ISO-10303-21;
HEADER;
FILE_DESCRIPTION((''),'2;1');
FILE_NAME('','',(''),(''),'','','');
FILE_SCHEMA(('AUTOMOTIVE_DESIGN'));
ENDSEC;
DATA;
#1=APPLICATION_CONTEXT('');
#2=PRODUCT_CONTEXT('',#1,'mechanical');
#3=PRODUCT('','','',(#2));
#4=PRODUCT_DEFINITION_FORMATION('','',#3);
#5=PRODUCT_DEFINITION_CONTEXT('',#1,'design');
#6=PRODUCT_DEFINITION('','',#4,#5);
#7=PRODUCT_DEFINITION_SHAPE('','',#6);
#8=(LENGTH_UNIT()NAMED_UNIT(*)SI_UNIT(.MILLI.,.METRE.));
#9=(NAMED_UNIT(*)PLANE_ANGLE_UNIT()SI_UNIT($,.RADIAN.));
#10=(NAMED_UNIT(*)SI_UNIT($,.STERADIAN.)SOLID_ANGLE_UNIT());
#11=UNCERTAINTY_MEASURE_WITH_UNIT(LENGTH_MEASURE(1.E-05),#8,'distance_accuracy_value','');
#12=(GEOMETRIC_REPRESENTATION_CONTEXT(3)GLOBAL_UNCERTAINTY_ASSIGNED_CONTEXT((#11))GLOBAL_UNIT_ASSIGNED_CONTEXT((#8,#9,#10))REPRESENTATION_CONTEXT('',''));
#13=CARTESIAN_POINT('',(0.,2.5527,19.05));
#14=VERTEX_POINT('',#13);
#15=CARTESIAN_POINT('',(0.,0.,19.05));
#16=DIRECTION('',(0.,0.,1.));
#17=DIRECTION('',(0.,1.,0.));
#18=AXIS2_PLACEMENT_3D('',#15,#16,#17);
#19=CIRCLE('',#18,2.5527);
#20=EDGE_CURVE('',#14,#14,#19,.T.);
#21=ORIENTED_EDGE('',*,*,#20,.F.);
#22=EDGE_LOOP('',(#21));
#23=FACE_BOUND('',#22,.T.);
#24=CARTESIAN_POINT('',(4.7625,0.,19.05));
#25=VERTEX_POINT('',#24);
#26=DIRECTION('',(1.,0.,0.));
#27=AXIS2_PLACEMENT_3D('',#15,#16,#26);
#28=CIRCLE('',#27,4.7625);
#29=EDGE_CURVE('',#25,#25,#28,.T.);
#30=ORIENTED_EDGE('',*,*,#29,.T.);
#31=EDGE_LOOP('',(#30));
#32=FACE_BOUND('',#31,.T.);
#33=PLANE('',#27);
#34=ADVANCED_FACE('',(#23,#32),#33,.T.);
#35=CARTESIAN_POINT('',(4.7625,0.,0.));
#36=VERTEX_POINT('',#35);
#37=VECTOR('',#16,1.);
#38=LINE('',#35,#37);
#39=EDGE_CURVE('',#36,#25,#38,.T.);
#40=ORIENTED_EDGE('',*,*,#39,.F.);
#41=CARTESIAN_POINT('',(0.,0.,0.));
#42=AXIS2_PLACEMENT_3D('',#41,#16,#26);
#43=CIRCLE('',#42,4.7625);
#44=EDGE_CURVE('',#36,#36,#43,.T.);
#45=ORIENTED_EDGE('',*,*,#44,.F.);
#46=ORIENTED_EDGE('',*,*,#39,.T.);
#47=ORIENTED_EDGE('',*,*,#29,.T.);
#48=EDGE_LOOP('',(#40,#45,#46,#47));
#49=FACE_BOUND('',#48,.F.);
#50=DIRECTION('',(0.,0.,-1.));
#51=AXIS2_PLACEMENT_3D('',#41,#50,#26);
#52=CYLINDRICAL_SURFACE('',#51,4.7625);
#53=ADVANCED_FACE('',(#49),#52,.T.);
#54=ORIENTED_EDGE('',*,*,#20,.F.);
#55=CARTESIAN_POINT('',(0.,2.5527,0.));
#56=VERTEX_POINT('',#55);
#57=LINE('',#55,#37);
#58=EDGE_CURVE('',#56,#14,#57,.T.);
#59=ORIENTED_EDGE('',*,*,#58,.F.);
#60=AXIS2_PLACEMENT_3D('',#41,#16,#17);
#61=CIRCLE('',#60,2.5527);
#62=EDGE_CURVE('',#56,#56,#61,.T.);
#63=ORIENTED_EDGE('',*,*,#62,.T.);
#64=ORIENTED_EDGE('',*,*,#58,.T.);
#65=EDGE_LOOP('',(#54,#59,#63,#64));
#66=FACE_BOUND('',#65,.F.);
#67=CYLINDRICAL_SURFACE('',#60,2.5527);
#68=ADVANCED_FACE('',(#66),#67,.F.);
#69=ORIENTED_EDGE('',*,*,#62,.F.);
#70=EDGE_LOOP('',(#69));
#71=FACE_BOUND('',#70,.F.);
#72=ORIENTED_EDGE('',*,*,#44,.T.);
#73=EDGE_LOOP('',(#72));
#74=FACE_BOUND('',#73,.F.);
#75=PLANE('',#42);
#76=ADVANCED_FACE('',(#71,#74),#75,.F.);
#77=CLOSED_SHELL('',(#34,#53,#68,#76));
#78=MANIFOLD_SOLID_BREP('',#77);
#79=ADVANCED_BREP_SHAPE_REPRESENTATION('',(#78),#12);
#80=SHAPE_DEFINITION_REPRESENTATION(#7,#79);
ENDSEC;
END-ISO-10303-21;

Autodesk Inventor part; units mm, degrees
ref_plane "YZ Plane" through (0, 0, 0) normal (1, 0, 0) x (0, 1, 0)
ref_plane "XZ Plane" through (0, 0, 0) normal (0, 1, 0) x (-1, 0, 0)
ref_plane "XY Plane" through (0, 0, 0) normal (0, 0, 1) x (1, 0, 0)
sketch "Sketch1" plane through (0, 0, 0) normal (0, 0, 1) x (1, 0, 0)
  circle A0 centre (0, 0) radius 4.7625
  dimension "d10" = 9.525
extrude "Extrusion1" add sketch "Sketch1" along normal blind 19.05
hole "Hole1" at (0, 0, 0) direction (0, 0, 1) diameter 5.1054 end through all clearance for "Flat Head Machine Screw (82)" size "#10" standard "Ansi Unified Screw Threads"
equation "\"d10\" = OutsideDiameter"
equation "\"d1\" = StandoffLength"
equation "\"d3\" = HoleDiameter"
equation "\"StandoffLength\" = 19.05"
equation "\"HoleDiameter\" = 5.1054"
equation "\"OutsideDiameter\" = 9.525"
properties part number "CL4-006" material "Aluminum 6061"
